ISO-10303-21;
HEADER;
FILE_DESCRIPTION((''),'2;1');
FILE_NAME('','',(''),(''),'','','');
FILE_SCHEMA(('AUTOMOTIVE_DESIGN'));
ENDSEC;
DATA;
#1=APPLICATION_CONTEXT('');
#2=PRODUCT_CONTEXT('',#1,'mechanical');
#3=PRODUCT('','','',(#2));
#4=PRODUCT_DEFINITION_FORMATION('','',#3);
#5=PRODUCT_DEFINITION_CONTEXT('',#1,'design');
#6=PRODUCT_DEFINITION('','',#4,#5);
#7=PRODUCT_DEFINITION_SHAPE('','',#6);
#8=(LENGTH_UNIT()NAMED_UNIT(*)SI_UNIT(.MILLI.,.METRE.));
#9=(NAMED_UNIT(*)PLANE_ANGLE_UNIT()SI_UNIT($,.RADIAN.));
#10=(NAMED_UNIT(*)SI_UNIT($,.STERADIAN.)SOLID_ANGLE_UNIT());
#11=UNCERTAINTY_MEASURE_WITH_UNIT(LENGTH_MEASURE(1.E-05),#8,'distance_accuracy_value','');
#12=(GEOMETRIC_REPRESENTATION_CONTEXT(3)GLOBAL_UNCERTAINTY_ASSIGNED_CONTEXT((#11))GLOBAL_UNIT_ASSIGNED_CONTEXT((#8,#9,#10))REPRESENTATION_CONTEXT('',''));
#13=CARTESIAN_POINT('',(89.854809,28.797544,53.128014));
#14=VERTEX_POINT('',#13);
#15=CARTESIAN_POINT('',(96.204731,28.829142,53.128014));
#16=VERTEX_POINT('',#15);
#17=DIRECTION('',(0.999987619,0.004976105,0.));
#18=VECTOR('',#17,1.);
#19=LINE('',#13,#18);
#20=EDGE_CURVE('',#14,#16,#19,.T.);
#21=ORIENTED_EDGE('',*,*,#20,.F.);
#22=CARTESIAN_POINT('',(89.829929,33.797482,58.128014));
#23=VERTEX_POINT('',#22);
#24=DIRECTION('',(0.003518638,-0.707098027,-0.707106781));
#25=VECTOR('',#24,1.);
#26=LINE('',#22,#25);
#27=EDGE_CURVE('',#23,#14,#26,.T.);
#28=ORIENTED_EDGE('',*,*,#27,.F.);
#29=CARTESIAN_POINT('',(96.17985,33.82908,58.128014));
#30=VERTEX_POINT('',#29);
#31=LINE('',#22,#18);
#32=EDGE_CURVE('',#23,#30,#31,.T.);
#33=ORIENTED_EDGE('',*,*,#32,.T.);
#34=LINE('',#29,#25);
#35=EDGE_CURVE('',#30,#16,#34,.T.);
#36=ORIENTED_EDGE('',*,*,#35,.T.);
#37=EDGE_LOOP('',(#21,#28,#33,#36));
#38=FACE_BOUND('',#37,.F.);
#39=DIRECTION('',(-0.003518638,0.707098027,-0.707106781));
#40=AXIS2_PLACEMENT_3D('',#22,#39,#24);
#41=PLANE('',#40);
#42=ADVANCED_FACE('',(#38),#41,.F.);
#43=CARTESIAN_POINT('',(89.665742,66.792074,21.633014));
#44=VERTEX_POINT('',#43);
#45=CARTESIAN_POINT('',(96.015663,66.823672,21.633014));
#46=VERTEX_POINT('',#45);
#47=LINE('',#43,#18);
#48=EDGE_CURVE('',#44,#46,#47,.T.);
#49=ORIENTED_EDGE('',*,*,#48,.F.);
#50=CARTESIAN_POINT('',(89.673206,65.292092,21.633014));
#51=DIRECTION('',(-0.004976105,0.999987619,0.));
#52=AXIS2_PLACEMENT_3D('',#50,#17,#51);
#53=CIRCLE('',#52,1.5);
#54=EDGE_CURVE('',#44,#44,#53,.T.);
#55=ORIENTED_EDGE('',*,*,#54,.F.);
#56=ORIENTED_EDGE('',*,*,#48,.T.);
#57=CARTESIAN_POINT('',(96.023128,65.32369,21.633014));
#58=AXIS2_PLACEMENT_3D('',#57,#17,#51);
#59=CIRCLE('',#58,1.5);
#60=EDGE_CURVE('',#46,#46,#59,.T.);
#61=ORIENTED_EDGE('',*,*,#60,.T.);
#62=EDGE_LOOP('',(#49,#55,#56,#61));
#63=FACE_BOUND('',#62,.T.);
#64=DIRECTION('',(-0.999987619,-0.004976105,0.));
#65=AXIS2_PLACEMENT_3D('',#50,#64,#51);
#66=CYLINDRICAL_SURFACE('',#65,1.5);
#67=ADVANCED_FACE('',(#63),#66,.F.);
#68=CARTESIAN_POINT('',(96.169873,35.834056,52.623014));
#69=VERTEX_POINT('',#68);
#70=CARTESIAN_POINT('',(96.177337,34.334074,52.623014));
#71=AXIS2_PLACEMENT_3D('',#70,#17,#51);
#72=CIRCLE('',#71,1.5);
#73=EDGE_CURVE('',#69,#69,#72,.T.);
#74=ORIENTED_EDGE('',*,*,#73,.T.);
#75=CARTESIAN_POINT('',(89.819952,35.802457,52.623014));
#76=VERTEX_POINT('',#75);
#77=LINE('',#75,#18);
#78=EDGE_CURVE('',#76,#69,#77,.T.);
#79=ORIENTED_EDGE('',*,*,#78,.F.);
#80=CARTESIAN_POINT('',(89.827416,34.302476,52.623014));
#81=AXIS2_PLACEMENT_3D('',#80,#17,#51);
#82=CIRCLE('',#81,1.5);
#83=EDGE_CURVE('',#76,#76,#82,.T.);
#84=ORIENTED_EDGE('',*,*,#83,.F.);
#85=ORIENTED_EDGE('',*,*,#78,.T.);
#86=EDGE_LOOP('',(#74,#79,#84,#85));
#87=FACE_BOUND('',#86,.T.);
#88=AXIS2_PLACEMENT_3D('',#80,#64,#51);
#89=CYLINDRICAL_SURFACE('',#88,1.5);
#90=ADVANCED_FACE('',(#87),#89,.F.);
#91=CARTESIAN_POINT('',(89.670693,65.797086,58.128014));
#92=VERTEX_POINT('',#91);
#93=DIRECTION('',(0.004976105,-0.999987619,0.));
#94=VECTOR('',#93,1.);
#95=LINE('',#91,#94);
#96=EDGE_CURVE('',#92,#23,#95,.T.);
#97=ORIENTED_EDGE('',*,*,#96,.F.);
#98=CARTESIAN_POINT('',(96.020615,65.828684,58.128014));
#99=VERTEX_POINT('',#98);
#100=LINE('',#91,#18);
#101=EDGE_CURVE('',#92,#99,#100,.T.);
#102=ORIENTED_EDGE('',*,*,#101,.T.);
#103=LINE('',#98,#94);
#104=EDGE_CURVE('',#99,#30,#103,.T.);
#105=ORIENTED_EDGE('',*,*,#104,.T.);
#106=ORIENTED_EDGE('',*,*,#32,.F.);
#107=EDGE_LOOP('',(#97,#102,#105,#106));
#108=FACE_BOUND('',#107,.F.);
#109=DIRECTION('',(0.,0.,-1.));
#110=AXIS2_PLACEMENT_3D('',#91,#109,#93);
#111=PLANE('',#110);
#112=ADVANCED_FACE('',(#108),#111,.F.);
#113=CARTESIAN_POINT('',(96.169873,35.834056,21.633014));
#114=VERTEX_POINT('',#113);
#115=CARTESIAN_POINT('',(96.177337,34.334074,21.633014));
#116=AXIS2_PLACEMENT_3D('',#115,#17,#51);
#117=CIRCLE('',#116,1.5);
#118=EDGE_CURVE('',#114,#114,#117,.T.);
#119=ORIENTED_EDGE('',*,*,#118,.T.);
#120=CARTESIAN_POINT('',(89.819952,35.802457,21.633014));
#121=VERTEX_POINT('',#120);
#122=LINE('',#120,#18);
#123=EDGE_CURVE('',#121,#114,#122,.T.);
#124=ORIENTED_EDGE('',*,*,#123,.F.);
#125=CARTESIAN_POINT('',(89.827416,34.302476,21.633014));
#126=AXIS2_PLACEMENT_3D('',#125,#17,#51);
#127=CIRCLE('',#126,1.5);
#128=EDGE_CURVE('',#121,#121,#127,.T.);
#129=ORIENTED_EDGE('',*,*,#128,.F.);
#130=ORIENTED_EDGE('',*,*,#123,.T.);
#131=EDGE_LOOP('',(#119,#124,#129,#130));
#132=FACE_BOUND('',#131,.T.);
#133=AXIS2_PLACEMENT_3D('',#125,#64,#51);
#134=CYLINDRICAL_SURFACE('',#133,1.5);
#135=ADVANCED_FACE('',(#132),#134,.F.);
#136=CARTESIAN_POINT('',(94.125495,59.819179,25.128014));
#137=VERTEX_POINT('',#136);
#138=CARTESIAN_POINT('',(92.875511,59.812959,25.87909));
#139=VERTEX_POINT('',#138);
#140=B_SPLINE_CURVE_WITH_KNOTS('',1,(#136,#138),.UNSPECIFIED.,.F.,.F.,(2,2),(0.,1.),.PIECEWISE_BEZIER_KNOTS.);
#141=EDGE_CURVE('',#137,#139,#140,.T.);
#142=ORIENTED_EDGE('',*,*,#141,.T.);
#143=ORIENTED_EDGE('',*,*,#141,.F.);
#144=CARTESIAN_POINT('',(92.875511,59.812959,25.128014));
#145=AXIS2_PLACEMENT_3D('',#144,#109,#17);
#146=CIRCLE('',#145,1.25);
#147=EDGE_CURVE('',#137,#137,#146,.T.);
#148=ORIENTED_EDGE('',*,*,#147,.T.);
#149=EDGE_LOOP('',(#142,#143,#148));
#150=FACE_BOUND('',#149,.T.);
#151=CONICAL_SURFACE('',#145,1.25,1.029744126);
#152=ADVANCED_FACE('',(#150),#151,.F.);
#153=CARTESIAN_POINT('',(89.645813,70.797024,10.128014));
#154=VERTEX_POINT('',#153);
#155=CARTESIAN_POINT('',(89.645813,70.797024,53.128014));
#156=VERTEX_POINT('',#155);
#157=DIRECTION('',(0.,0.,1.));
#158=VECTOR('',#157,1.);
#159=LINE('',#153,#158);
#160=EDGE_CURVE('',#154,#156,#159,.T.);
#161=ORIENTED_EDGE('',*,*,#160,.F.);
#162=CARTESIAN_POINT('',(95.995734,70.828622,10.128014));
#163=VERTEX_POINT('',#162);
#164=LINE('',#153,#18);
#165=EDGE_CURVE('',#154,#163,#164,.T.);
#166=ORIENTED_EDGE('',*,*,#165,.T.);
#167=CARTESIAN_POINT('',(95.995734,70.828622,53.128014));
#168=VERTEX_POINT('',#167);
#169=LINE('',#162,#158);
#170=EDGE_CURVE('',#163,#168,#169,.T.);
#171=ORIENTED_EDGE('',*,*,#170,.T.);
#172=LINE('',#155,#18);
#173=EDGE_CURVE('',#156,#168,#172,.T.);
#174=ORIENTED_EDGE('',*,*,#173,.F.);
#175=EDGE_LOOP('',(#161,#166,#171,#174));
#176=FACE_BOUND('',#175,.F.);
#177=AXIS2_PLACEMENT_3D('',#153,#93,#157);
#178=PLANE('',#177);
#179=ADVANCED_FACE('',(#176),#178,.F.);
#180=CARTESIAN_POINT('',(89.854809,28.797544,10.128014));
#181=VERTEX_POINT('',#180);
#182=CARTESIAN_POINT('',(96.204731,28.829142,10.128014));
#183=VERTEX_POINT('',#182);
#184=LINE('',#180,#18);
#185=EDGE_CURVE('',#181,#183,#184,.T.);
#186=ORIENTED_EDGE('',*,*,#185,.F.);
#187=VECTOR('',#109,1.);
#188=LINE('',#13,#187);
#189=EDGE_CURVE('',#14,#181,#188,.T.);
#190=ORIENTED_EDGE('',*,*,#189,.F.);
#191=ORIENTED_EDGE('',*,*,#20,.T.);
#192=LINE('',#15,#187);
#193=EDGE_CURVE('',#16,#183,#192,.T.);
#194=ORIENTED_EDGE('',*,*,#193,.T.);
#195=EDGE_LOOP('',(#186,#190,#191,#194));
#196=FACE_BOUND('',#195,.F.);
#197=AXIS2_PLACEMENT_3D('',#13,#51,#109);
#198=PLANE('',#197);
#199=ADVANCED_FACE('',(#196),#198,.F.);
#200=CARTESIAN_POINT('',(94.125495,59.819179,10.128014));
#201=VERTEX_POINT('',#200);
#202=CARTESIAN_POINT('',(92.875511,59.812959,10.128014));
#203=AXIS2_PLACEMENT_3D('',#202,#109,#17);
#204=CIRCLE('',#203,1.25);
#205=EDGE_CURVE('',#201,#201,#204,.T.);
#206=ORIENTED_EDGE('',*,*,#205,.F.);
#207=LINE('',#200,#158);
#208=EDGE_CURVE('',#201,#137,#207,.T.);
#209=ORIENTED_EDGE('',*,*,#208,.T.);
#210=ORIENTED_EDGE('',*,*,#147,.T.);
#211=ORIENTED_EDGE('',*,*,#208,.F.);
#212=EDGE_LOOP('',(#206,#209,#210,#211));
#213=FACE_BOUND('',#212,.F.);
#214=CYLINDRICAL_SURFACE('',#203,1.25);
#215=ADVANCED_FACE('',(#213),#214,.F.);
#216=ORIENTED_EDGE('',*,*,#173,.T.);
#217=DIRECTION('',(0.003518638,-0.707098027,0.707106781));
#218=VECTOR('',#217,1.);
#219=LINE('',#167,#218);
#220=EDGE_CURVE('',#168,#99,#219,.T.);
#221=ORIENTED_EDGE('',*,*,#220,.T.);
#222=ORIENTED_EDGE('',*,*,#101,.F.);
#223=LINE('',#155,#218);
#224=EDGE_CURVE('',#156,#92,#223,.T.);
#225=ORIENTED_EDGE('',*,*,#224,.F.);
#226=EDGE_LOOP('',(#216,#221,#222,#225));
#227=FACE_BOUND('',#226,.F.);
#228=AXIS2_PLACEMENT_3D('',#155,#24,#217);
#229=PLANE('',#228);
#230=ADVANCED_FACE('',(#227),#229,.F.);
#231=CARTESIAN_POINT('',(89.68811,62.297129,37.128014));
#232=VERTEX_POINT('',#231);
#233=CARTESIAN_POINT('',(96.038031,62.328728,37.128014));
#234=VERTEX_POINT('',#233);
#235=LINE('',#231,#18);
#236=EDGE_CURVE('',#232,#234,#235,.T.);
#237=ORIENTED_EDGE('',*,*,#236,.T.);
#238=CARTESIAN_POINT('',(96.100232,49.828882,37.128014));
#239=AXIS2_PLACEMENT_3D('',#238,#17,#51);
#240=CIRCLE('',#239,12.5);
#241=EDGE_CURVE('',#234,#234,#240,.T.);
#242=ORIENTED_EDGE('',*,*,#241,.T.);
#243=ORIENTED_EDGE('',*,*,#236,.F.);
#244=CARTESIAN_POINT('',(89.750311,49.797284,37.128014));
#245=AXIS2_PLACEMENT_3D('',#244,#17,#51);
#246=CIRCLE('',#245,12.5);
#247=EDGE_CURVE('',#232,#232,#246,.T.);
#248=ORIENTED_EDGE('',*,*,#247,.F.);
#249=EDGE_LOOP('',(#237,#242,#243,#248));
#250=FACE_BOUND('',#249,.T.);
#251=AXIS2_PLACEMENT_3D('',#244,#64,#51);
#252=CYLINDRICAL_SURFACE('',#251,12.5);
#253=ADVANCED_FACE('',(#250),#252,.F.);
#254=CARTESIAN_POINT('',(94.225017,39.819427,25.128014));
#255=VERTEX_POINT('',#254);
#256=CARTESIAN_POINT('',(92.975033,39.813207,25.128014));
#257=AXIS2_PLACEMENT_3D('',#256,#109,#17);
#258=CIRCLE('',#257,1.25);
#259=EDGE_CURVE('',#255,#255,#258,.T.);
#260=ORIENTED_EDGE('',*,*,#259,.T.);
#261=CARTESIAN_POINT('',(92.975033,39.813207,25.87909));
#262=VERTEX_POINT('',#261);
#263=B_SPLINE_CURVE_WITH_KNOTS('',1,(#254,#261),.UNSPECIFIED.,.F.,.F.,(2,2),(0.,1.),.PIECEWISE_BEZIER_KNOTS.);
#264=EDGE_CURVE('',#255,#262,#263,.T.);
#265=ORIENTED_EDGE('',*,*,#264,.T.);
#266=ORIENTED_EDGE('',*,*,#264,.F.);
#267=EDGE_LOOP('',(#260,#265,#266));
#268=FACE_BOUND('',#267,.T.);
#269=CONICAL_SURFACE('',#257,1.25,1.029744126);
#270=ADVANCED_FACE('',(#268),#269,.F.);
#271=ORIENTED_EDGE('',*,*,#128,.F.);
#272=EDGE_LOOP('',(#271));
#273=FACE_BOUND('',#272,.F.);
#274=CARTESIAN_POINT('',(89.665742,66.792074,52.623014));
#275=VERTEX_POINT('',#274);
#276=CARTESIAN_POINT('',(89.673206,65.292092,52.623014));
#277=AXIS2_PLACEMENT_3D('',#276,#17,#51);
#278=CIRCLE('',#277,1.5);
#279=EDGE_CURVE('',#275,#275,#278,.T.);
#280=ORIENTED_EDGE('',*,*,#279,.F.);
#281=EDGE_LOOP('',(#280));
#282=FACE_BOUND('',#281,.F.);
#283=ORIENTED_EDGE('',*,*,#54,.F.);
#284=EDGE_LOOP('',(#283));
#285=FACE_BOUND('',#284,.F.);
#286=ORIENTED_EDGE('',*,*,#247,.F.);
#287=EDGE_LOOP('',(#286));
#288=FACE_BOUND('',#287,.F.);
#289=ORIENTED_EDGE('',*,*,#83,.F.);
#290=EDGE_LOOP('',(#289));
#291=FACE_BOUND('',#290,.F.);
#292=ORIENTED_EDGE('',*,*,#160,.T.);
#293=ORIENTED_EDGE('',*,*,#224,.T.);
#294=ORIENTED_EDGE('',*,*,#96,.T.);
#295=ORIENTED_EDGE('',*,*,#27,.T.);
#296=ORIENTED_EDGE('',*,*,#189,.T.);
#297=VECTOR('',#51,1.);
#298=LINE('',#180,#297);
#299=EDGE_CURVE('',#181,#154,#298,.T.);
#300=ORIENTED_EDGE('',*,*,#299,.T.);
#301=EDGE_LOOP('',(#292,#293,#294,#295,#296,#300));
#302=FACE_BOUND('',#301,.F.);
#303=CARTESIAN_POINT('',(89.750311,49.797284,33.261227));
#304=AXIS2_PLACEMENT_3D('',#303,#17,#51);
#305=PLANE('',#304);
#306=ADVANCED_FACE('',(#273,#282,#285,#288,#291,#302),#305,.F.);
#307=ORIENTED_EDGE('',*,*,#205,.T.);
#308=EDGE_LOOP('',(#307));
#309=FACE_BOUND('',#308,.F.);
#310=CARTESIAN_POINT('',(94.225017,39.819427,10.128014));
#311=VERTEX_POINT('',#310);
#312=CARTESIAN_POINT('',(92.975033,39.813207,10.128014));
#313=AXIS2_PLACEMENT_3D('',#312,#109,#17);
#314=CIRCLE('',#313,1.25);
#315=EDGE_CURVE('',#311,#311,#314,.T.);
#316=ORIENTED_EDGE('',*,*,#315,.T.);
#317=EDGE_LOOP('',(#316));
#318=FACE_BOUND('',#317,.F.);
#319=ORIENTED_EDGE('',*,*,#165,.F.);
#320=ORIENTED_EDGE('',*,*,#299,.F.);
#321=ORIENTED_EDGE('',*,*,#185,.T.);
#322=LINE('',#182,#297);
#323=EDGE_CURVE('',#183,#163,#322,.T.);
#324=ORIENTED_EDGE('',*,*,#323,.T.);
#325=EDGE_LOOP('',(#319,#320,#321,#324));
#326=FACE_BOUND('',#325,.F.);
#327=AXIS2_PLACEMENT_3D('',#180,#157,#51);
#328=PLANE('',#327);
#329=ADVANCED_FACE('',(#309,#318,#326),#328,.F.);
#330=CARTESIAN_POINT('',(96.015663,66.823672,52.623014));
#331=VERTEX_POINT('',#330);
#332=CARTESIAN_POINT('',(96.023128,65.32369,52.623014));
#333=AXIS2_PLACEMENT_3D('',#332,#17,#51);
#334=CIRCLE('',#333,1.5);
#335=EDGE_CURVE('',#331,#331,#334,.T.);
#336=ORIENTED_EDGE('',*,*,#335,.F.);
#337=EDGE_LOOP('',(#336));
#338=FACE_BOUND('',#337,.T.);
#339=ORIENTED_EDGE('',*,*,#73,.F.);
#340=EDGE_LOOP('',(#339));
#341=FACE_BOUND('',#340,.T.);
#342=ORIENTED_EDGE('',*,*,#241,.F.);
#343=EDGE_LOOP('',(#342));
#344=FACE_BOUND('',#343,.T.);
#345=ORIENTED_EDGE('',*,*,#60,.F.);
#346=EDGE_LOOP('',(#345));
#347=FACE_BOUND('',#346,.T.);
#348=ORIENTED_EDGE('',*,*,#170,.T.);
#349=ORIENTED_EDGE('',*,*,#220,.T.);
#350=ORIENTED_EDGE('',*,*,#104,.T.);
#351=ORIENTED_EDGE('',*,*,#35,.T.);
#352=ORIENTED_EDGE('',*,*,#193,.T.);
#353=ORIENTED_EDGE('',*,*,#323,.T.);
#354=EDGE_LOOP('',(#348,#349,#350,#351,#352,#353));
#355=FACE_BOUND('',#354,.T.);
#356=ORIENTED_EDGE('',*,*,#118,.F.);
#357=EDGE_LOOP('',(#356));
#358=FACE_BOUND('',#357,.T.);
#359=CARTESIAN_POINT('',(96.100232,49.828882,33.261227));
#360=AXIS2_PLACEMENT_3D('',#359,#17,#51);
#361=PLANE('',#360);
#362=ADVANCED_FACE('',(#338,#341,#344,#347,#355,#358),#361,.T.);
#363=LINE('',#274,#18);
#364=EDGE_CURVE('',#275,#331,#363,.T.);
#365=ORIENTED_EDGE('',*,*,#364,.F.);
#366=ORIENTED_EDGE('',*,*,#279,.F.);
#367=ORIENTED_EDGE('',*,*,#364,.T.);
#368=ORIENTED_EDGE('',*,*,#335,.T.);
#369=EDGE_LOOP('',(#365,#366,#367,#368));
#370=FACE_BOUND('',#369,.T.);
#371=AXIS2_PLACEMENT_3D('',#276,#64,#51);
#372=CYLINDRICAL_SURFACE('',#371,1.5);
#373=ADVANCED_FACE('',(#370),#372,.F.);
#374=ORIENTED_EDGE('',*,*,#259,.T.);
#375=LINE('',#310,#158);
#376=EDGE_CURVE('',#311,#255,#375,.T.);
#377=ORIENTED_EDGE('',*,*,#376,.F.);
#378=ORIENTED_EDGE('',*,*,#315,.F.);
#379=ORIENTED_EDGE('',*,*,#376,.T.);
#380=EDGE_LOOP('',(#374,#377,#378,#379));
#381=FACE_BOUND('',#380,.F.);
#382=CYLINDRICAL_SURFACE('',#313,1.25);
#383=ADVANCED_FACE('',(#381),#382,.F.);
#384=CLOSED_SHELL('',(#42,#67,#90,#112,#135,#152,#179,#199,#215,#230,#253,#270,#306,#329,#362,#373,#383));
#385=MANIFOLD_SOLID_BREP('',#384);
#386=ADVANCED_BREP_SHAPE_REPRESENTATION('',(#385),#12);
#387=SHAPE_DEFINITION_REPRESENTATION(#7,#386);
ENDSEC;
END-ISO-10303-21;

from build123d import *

# Parameters (mm, degrees)
SKETCH_R             = 12.5
SKETCH_R_2           = 1.5
PAD_DEPTH            = 6.35
SKETCH011_R          = 1.25
HOLE_DEPTH           = 15
HOLE_TIPS_R          = 1.25
BODY_PLACEMENT_ANGLE = 0.285111


with BuildPart() as part:
    # Sketch → Pad (new body)
    with BuildSketch(Plane.YZ):
        Polygon((-21, -27), (21, -27), (21, 16), (16, 21), (-16, 21), (-21, 16), align=None)
        Circle(SKETCH_R, mode=Mode.SUBTRACT)
        with Locations((15.495, 15.495)):
            Circle(SKETCH_R_2, mode=Mode.SUBTRACT)
        with Locations((15.495, -15.495)):
            Circle(SKETCH_R_2, mode=Mode.SUBTRACT)
        with Locations((-15.495, -15.495)):
            Circle(SKETCH_R_2, mode=Mode.SUBTRACT)
        with Locations((-15.495, 15.495)):
            Circle(SKETCH_R_2, mode=Mode.SUBTRACT)
    extrude(amount=PAD_DEPTH)

    # Sketch011 (on Face4 of Pad) → Hole (cut)
    with BuildSketch(Plane(origin=(0, 0, -27), x_dir=(1, 0, 0), z_dir=(0, 0, -1))):
        with Locations((3.175, 10)):
            Circle(SKETCH011_R)
        with Locations((3.175, -10)):
            Circle(SKETCH011_R)
    extrude(amount=-HOLE_DEPTH, mode=Mode.SUBTRACT)

    # Hole tips → Hole tip 1 section 0
    with BuildSketch(Plane(origin=(0, 0, -12), x_dir=(1, 0, 0), z_dir=(0, 0, -1)), mode=Mode.PRIVATE) as hole_tip_1_s0:
        with Locations((3.175, 10)):
            Circle(HOLE_TIPS_R)
    loft([hole_tip_1_s0.sketch, Vertex(3.175, -10, -11.248924)], mode=Mode.SUBTRACT)

    # Hole tips → Hole tip 2 section 0
    with BuildSketch(Plane(origin=(0, 0, -12), x_dir=(1, 0, 0), z_dir=(0, 0, -1)), mode=Mode.PRIVATE) as hole_tip_2_s0:
        with Locations((3.175, -10)):
            Circle(HOLE_TIPS_R)
    loft([hole_tip_2_s0.sketch, Vertex(3.175, 10, -11.248924)], mode=Mode.SUBTRACT)


with BuildPart() as part_1:
    # Body placement: moved
    add(part.part.moved(Location((89.750311, 49.797284, 37.128014))).rotate(Axis((89.750311, 49.797284, 37.128014), (0, 0, 1)), BODY_PLACEMENT_ANGLE))


solid = part_1.part
